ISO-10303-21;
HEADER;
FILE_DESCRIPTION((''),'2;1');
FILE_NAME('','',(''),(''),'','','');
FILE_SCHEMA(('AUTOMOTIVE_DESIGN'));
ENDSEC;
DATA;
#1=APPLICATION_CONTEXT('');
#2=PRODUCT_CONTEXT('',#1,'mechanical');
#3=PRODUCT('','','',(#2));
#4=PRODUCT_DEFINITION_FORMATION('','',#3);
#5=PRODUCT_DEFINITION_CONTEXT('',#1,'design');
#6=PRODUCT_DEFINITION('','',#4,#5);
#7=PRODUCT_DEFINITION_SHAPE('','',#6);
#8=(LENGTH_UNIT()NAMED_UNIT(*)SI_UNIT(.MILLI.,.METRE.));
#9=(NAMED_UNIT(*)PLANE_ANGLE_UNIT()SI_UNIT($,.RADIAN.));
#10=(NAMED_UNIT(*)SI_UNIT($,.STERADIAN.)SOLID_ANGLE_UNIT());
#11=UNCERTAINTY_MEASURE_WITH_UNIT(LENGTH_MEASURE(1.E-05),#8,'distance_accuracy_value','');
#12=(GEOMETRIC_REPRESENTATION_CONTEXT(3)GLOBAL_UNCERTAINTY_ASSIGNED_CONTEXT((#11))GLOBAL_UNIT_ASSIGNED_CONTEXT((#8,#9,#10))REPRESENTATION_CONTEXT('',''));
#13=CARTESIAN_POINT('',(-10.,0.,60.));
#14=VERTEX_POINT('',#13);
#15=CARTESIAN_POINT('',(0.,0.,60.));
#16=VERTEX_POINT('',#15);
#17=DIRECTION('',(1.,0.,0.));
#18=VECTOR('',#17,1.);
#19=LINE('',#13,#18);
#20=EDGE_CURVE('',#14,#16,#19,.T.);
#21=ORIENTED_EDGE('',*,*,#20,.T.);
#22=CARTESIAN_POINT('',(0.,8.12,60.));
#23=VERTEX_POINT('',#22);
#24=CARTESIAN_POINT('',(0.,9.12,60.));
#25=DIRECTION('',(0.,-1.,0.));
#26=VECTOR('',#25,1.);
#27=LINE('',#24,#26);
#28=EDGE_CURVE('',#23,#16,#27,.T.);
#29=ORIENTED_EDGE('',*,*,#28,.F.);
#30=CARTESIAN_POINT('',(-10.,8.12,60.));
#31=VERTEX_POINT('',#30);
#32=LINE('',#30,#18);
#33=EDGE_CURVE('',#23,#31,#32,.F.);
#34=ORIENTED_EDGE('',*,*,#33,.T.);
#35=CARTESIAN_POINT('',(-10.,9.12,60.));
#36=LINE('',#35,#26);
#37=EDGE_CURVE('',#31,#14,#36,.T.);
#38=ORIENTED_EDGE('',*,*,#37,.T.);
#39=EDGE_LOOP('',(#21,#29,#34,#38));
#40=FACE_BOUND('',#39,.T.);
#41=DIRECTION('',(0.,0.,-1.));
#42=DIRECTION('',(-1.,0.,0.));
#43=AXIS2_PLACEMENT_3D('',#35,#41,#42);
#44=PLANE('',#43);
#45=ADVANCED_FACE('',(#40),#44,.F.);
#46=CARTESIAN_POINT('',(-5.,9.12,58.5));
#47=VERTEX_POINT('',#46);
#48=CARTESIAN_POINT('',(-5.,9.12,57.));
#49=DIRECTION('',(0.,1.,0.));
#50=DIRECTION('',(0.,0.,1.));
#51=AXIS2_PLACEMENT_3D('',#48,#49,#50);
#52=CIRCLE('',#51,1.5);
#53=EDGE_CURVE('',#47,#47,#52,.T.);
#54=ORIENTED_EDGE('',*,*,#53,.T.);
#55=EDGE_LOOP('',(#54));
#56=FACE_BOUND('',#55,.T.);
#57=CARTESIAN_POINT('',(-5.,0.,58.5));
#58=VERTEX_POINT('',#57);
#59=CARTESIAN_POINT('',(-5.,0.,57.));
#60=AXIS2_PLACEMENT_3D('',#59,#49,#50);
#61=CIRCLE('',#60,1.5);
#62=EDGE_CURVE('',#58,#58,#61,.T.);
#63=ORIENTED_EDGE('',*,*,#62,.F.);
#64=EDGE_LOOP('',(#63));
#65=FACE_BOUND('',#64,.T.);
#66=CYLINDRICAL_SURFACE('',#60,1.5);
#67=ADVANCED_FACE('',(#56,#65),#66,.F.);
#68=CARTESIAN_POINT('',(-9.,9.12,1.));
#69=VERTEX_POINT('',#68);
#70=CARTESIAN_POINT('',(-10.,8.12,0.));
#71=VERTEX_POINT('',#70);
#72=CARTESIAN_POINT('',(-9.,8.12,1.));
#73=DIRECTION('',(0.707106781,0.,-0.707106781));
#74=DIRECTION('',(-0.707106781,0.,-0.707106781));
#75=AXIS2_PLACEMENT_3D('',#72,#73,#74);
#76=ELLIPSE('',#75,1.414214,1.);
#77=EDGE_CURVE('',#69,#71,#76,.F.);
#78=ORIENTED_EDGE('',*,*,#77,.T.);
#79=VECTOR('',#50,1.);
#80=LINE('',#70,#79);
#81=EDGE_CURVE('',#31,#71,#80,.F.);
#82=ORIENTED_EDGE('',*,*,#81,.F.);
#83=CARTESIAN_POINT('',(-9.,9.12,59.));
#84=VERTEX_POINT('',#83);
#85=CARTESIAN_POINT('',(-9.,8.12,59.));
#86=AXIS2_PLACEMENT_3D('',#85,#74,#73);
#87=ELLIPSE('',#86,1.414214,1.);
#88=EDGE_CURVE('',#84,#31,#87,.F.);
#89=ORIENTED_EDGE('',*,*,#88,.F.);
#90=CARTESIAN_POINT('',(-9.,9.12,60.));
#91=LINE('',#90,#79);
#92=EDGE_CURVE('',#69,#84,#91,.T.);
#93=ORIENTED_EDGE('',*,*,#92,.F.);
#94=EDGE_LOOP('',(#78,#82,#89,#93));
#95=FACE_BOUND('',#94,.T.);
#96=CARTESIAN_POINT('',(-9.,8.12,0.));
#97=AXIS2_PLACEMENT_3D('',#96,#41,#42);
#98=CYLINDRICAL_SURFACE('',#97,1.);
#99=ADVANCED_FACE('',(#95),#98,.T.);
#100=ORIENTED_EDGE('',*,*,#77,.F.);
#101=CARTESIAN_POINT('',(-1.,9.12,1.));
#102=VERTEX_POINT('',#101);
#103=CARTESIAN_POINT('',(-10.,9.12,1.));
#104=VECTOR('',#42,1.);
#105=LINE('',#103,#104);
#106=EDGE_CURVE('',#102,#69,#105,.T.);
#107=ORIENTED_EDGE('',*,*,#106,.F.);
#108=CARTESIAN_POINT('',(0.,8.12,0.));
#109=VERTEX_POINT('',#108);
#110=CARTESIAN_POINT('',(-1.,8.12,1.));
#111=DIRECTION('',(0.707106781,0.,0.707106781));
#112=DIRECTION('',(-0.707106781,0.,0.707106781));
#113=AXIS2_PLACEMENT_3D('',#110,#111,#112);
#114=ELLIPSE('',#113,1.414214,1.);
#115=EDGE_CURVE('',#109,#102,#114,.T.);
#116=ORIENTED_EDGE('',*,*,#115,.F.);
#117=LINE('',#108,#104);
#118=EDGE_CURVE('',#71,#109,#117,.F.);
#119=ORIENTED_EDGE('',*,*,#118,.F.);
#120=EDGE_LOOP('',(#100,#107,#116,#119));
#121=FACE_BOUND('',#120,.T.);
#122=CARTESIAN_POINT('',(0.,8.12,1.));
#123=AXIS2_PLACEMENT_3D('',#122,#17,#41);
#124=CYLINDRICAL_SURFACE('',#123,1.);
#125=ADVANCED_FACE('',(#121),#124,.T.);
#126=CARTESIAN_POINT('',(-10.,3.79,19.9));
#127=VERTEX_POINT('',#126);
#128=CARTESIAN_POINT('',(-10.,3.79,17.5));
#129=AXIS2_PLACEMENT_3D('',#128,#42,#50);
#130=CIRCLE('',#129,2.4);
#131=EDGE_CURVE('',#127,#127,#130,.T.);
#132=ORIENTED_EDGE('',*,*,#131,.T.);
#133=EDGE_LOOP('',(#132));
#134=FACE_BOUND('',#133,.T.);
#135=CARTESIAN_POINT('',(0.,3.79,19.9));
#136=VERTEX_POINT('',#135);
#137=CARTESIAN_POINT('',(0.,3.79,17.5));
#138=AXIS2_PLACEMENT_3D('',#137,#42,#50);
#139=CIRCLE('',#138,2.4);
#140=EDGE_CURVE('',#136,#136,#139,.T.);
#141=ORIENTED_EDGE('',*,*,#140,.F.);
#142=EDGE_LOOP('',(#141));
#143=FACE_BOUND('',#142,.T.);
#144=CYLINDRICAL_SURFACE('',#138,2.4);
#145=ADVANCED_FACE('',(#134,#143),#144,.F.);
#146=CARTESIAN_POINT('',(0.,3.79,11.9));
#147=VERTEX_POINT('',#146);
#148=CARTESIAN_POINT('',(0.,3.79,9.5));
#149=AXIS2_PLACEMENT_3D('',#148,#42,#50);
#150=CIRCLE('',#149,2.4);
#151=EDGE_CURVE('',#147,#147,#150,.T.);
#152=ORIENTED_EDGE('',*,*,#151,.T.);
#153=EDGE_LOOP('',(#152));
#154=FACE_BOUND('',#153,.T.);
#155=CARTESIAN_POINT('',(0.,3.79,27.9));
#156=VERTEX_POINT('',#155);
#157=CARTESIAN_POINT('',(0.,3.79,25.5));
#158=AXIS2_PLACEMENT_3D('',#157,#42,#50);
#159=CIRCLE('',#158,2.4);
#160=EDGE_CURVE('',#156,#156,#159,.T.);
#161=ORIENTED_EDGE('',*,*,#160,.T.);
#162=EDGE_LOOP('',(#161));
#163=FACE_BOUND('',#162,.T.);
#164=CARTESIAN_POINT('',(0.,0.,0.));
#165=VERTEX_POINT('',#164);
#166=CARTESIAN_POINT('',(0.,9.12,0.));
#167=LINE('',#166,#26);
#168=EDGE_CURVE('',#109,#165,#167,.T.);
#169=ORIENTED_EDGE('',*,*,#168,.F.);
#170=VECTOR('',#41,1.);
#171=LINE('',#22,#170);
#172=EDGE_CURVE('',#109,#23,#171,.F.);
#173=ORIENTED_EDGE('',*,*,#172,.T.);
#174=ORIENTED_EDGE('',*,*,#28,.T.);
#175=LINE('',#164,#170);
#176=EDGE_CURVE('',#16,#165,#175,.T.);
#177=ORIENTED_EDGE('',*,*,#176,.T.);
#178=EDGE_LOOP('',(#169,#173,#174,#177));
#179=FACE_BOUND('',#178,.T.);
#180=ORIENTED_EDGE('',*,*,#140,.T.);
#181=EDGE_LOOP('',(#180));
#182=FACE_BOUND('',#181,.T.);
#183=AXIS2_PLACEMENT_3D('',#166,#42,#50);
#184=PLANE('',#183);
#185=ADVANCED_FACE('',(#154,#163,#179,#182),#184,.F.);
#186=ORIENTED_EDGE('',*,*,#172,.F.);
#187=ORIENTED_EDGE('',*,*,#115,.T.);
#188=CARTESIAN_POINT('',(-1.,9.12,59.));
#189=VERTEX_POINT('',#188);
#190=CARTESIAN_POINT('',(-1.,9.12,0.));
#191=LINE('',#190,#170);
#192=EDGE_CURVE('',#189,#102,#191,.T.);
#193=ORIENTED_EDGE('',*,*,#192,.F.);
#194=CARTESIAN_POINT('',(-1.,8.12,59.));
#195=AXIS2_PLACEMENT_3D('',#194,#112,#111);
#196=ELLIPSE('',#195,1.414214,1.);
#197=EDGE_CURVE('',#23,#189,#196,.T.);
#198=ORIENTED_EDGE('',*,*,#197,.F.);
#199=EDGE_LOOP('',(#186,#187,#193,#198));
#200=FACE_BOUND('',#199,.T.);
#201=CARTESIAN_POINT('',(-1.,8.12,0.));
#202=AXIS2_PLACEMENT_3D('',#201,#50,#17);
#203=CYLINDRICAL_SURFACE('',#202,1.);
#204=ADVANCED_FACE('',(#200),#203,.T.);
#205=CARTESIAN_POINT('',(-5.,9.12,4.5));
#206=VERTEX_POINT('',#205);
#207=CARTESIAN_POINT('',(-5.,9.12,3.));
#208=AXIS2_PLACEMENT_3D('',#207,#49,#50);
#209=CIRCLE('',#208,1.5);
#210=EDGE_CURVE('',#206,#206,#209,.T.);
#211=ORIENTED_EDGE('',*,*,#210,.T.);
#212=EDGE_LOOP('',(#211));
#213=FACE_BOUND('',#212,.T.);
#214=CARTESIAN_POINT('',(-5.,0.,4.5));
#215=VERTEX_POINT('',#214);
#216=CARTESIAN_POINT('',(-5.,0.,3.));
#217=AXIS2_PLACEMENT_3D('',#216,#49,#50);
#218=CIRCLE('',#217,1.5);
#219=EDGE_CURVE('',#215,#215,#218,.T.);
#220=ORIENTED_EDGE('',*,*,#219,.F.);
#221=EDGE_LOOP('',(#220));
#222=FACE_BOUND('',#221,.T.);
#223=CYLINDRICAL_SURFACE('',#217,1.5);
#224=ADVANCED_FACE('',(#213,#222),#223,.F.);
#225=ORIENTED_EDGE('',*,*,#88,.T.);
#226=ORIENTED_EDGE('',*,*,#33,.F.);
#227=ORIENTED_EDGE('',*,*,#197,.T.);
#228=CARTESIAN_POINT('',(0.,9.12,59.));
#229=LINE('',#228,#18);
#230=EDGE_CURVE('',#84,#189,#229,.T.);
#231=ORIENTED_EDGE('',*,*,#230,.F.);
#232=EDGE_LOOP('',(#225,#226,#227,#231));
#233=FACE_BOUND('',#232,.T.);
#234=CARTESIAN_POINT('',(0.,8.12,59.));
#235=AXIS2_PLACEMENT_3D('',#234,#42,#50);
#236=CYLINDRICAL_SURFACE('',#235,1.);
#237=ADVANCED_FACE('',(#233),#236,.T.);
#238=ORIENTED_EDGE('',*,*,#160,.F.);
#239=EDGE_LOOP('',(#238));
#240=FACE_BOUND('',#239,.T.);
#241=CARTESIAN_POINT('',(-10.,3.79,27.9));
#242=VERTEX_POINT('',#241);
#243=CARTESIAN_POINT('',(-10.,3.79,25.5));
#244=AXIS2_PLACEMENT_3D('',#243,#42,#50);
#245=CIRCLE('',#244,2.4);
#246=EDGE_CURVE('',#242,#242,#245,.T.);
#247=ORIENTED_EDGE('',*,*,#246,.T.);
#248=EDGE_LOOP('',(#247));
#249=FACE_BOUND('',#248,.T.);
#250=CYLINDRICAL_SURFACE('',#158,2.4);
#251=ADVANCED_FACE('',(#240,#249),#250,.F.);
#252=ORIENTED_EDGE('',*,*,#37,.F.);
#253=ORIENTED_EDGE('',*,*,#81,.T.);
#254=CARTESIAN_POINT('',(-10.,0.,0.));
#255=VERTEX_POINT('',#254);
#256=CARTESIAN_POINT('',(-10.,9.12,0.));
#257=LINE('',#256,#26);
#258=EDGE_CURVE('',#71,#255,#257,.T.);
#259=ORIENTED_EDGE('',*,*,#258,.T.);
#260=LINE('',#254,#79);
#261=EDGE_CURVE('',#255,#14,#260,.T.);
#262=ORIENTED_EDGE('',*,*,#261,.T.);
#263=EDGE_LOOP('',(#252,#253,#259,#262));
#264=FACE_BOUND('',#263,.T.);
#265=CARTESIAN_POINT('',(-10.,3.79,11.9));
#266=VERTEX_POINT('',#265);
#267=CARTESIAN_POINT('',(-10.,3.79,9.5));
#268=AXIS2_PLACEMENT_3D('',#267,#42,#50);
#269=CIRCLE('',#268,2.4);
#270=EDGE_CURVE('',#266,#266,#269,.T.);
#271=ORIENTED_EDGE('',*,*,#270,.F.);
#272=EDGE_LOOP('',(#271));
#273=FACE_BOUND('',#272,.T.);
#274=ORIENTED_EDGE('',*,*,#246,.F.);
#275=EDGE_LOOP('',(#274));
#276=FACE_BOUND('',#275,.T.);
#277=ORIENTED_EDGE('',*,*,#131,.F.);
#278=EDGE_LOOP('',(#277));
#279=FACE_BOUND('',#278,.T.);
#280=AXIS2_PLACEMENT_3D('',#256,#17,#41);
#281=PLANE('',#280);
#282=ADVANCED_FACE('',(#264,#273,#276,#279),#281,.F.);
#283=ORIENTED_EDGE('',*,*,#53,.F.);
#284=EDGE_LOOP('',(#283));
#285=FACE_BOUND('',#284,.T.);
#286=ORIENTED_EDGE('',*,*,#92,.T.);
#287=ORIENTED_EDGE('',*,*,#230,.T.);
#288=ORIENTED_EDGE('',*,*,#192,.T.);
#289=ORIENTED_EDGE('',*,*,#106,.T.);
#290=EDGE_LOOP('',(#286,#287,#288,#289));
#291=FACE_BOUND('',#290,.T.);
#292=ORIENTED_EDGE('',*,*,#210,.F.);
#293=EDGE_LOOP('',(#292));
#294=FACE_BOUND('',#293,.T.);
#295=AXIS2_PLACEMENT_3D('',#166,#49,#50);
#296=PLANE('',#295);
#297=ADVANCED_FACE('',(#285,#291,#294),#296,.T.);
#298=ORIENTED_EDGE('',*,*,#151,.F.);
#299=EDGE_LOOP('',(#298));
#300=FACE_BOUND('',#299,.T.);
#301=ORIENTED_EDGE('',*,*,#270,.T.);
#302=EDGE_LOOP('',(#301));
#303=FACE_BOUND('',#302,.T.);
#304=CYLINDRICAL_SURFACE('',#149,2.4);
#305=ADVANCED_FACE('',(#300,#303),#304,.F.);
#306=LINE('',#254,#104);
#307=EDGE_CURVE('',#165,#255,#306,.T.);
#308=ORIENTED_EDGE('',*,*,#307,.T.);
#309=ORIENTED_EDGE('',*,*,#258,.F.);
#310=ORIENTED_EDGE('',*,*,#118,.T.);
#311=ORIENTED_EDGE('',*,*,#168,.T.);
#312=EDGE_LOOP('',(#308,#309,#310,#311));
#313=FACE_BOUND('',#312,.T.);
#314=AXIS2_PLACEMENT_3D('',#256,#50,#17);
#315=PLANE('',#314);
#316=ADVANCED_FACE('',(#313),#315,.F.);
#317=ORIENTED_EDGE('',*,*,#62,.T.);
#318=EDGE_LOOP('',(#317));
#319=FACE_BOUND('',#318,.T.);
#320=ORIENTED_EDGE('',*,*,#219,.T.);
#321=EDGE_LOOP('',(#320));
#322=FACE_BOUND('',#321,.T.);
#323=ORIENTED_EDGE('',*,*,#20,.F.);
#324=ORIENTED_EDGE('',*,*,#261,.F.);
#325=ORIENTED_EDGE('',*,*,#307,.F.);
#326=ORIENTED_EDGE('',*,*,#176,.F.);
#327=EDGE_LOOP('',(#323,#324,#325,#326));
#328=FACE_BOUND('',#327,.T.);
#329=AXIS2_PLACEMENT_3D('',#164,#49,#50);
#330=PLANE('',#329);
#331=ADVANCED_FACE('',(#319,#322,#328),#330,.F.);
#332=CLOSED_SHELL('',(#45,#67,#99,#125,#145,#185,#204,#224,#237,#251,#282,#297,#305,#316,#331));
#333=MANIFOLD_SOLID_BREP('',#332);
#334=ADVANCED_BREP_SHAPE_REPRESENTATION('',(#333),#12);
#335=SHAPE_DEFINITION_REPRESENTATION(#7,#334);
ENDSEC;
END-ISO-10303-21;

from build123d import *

# Parameters (mm, degrees)
CROQUIS1_W              = 10
CROQUIS1_H              = 60
SALIENTE_EXTRUIR1_DEPTH = 9.12
CROQUIS2_R              = 2.4
CORTAR_EXTRUIR1_DEPTH   = 62.507514988
CROQUIS4_R              = 1.5
CORTAR_EXTRUIR2_DEPTH   = 62.507514988
REDONDEO1_R             = 1


with BuildPart() as part:
    # Croquis1 → Saliente-Extruir1 (new body)
    with BuildSketch(Plane(origin=(0, 0, 0), x_dir=(1, 0, 0), z_dir=(0, 1, 0))):
        with Locations((-5, -30)):
            Rectangle(CROQUIS1_W, CROQUIS1_H)
    extrude(amount=SALIENTE_EXTRUIR1_DEPTH)

    # Croquis2 → Cortar-Extruir1 (cut, through all)
    with BuildSketch(Plane.ZY.offset(10)):
        with Locations((17.5, 3.79)):
            Circle(CROQUIS2_R)
        with Locations((9.5, 3.79)):
            Circle(CROQUIS2_R)
        with Locations((25.5, 3.79)):
            Circle(CROQUIS2_R)
    extrude(amount=-CORTAR_EXTRUIR1_DEPTH, mode=Mode.SUBTRACT)

    # Croquis4 → Cortar-Extruir2 (cut, through all)
    with BuildSketch(Plane(origin=(0, 9.12, 0), x_dir=(1, 0, 0), z_dir=(0, 1, 0))):
        with Locations(Location((-5, -3, 0), (0, 0, 270))):
            Circle(CROQUIS4_R)
        with Locations(Location((-5, -57, 0), (0, 0, 270))):
            Circle(CROQUIS4_R)
    extrude(amount=-CORTAR_EXTRUIR2_DEPTH, mode=Mode.SUBTRACT)

    # Redondeo1
    redondeo1_edges = [part.edges().sort_by_distance(p)[0] for p in [
        (0, 9.12, 30),
        (-5, 9.12, 0),
        (-10, 9.12, 30),
        (-5, 9.12, 60),
    ]]
    fillet(redondeo1_edges, radius=REDONDEO1_R)


solid = part.part
